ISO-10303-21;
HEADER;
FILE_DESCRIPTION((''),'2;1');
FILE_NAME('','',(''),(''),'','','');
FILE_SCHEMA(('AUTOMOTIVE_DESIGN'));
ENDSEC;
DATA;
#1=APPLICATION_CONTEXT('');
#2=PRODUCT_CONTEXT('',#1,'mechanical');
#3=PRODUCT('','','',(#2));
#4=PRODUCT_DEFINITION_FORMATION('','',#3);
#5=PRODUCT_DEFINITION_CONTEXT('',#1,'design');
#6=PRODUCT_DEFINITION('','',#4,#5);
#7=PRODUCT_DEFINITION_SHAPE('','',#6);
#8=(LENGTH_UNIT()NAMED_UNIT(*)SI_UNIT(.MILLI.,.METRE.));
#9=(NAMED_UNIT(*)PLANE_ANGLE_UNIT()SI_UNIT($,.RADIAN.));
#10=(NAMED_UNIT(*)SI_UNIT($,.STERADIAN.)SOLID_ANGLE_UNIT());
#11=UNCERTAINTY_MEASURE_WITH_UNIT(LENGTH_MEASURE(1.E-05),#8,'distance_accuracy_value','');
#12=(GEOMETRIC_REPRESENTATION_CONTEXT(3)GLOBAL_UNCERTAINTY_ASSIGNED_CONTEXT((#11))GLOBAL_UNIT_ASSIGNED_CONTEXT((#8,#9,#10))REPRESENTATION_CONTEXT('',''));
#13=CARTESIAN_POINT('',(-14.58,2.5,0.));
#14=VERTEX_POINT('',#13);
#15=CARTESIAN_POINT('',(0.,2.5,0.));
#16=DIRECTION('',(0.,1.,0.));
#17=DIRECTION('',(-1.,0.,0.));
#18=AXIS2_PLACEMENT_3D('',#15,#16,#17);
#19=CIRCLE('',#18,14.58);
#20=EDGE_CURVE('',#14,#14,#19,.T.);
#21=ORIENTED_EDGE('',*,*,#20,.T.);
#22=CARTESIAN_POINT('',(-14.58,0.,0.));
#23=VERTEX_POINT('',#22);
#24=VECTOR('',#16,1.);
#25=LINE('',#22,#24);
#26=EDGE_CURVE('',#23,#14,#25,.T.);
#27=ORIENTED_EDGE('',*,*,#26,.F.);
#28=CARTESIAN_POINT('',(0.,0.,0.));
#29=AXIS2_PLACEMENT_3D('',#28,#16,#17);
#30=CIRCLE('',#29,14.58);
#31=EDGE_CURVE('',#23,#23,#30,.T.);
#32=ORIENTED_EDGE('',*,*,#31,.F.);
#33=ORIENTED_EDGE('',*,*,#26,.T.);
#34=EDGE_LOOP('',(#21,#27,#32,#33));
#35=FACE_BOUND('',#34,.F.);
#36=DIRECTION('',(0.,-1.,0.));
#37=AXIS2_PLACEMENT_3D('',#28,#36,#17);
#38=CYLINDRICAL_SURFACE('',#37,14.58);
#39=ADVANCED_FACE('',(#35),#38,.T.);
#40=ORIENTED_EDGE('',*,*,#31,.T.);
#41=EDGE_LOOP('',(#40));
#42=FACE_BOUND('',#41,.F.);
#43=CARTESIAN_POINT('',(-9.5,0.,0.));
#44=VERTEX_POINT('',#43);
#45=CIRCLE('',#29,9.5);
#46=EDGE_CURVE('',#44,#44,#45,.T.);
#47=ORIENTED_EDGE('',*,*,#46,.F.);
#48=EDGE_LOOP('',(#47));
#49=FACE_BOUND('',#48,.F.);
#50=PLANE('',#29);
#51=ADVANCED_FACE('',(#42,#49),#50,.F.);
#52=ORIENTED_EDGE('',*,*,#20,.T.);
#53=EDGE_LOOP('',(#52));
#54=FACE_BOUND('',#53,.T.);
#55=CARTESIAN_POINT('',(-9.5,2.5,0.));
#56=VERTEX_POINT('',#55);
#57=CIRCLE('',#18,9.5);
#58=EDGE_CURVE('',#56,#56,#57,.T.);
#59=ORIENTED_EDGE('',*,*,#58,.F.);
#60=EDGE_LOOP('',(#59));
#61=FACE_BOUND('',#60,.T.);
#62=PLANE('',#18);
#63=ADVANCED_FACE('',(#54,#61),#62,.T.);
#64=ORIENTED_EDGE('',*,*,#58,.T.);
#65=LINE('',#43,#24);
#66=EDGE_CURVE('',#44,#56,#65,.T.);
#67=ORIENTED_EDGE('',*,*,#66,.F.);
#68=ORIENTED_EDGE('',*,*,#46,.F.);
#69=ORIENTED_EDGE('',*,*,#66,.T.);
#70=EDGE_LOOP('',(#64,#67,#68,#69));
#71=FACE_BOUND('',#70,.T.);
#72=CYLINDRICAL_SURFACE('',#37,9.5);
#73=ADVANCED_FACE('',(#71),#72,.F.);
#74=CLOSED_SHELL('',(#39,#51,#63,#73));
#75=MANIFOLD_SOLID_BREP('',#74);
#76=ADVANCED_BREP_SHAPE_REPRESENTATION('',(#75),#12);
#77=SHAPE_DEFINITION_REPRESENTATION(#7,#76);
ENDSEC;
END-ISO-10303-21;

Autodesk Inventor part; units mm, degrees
ref_plane "YZ Plane" through (0, 0, 0) normal (1, 0, 0) x (0, 1, 0)
ref_plane "XZ Plane" through (0, 0, 0) normal (0, 1, 0) x (-1, 0, 0)
ref_plane "XY Plane" through (0, 0, 0) normal (0, 0, 1) x (1, 0, 0)
sketch "Sketch1" plane through (0, 0, 0) normal (0, 1, 0) x (-1, 0, 0)
  circle A0 centre (0, 0) radius 9.5
  circle A1 centre (0, 0) radius 14.58
  dimension "d0" = 19
  dimension "d1" = 5.08
extrude "Extrusion1" add sketch "Sketch1" along normal blind 2.5
properties part number "ButtonHolder"
